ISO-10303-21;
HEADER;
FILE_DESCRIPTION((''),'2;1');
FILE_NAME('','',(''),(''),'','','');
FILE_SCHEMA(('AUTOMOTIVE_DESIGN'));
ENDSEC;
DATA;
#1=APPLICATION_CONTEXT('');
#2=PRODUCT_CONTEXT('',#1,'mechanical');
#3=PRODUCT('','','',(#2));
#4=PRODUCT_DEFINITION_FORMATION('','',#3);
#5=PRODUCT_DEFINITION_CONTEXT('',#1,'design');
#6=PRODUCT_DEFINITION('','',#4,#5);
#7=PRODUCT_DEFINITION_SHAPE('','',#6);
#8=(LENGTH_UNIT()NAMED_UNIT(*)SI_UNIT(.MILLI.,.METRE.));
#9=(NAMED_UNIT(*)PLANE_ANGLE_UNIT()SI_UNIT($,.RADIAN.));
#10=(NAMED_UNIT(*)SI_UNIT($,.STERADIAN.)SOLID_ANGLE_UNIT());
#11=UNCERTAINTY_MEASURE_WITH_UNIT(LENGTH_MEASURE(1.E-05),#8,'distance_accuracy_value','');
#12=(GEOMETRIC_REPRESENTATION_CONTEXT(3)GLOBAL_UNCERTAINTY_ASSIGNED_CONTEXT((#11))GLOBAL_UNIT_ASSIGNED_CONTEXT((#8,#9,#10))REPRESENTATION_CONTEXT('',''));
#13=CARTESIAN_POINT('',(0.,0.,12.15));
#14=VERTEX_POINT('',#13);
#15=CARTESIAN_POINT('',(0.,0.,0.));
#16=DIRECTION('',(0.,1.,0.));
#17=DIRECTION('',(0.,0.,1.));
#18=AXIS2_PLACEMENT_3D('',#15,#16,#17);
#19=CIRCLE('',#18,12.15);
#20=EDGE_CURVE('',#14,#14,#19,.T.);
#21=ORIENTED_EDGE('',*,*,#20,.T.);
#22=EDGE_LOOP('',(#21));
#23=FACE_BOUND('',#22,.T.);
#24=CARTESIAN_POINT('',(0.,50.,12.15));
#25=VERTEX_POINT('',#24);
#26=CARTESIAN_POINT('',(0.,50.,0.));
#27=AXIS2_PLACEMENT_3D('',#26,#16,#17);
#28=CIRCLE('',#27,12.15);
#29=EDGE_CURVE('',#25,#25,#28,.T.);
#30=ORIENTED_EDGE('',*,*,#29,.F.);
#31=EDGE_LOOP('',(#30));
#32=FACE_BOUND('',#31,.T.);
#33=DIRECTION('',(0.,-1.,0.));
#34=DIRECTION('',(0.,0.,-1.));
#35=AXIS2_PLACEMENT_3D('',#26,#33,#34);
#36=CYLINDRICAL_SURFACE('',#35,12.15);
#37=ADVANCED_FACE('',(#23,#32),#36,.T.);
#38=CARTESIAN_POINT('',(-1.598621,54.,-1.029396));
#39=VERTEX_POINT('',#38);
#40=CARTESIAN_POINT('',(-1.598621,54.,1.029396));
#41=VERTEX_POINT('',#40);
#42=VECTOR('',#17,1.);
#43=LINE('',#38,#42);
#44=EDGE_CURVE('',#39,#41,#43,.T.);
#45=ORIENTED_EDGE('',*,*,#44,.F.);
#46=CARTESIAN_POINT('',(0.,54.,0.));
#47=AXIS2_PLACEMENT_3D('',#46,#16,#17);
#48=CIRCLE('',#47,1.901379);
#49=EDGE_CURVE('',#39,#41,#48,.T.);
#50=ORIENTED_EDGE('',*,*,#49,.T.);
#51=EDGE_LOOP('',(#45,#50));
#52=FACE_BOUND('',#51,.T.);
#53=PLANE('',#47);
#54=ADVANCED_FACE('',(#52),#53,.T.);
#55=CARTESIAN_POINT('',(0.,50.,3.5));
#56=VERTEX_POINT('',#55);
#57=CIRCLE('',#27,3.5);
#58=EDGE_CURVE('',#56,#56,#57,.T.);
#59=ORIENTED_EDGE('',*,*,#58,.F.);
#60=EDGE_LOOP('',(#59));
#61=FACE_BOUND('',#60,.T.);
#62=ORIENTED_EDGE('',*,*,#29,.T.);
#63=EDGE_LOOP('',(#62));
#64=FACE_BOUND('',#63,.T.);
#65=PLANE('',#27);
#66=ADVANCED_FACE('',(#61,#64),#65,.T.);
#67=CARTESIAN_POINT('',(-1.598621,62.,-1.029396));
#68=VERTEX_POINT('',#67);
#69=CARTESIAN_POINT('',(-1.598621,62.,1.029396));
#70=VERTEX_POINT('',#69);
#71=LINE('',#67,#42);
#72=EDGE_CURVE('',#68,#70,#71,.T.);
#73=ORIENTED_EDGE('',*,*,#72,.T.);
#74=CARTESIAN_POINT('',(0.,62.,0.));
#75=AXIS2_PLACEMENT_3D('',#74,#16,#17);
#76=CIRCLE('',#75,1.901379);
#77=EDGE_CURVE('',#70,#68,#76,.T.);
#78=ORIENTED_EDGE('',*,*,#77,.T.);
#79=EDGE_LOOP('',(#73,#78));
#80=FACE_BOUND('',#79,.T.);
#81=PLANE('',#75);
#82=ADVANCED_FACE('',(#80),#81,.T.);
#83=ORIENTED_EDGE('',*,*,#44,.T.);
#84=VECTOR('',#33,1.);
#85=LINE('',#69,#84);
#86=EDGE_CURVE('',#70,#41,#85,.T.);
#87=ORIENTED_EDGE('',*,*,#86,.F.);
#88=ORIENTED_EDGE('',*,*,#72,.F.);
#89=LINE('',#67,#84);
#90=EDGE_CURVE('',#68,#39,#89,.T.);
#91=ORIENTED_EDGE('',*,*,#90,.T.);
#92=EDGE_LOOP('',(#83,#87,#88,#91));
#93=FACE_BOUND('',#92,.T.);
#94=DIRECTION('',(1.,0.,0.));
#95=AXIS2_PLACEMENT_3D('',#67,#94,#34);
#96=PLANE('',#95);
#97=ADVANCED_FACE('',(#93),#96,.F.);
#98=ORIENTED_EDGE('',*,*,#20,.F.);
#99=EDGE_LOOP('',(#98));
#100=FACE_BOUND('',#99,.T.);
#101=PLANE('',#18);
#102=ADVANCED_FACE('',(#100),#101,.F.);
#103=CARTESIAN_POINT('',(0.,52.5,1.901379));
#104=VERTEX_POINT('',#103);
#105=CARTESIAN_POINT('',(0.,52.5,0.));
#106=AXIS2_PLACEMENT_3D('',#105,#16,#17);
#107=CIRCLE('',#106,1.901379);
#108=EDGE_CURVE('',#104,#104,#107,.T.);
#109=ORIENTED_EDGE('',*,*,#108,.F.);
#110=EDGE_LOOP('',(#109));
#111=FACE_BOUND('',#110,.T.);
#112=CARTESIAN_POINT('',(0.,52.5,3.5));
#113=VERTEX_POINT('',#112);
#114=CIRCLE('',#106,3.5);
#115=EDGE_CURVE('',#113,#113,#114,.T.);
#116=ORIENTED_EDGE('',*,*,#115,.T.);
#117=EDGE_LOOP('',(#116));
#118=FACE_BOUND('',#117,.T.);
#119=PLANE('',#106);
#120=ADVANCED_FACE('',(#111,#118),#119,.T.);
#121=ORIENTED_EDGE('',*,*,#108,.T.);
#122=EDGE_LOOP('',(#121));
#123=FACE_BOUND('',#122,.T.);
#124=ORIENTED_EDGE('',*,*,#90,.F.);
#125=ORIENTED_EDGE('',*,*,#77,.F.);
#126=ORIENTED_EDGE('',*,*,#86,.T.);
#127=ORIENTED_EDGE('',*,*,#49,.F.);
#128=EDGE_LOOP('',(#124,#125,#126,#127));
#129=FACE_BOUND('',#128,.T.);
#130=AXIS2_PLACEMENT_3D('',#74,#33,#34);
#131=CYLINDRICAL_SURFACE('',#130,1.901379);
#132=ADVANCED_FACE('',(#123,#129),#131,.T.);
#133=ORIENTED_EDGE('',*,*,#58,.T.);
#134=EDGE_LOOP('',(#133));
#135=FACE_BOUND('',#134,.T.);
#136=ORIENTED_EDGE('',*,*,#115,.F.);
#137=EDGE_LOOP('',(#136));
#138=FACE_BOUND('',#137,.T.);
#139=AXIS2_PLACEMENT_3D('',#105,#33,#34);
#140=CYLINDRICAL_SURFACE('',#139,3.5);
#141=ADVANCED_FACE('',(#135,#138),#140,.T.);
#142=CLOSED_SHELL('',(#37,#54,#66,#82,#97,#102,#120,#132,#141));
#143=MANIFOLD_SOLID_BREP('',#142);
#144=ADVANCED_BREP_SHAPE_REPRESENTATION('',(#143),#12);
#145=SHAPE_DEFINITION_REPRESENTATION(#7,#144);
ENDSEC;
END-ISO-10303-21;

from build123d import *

# Parameters (mm, degrees)
SKETCH1_R           = 12.15
BOSS_EXTRUDE1_DEPTH = 50
SKETCH2_R           = 3.5
BOSS_EXTRUDE2_DEPTH = 2.5
BOSS_EXTRUDE3_DEPTH = 9.5
SKETCH4_R           = 1.901379474
BOSS_EXTRUDE4_DEPTH = 1.5


with BuildPart() as part:
    # Sketch1 → Boss-Extrude1 (new body)
    with BuildSketch(Plane(origin=(0, 0, 0), x_dir=(1, 0, 0), z_dir=(0, 1, 0))):
        Circle(SKETCH1_R)
    extrude(amount=BOSS_EXTRUDE1_DEPTH)

    # Sketch2 → Boss-Extrude2 (add)
    with BuildSketch(Plane(origin=(0, 50, 0), x_dir=(1, 0, 0), z_dir=(0, 1, 0))):
        Circle(SKETCH2_R)
    extrude(amount=BOSS_EXTRUDE2_DEPTH)

    # Sketch3 → Boss-Extrude3 (add)
    with BuildSketch(Plane(origin=(0, 52.5, 0), x_dir=(1, 0, 0), z_dir=(0, 1, 0))):
        with BuildLine():
            Line((-1.598620526, 1.029396092), (-1.598620526, -1.029396092))
            ThreePointArc((-1.598620526, -1.029396092), (1.901379474, 0), (-1.598620526, 1.029396092))
        make_face()
    extrude(amount=BOSS_EXTRUDE3_DEPTH)

    # Sketch4 → Boss-Extrude4 (add)
    with BuildSketch(Plane(origin=(0, 52.5, 0), x_dir=(1, 0, 0), z_dir=(0, 1, 0))):
        Circle(SKETCH4_R)
    extrude(amount=BOSS_EXTRUDE4_DEPTH)


solid = part.part
